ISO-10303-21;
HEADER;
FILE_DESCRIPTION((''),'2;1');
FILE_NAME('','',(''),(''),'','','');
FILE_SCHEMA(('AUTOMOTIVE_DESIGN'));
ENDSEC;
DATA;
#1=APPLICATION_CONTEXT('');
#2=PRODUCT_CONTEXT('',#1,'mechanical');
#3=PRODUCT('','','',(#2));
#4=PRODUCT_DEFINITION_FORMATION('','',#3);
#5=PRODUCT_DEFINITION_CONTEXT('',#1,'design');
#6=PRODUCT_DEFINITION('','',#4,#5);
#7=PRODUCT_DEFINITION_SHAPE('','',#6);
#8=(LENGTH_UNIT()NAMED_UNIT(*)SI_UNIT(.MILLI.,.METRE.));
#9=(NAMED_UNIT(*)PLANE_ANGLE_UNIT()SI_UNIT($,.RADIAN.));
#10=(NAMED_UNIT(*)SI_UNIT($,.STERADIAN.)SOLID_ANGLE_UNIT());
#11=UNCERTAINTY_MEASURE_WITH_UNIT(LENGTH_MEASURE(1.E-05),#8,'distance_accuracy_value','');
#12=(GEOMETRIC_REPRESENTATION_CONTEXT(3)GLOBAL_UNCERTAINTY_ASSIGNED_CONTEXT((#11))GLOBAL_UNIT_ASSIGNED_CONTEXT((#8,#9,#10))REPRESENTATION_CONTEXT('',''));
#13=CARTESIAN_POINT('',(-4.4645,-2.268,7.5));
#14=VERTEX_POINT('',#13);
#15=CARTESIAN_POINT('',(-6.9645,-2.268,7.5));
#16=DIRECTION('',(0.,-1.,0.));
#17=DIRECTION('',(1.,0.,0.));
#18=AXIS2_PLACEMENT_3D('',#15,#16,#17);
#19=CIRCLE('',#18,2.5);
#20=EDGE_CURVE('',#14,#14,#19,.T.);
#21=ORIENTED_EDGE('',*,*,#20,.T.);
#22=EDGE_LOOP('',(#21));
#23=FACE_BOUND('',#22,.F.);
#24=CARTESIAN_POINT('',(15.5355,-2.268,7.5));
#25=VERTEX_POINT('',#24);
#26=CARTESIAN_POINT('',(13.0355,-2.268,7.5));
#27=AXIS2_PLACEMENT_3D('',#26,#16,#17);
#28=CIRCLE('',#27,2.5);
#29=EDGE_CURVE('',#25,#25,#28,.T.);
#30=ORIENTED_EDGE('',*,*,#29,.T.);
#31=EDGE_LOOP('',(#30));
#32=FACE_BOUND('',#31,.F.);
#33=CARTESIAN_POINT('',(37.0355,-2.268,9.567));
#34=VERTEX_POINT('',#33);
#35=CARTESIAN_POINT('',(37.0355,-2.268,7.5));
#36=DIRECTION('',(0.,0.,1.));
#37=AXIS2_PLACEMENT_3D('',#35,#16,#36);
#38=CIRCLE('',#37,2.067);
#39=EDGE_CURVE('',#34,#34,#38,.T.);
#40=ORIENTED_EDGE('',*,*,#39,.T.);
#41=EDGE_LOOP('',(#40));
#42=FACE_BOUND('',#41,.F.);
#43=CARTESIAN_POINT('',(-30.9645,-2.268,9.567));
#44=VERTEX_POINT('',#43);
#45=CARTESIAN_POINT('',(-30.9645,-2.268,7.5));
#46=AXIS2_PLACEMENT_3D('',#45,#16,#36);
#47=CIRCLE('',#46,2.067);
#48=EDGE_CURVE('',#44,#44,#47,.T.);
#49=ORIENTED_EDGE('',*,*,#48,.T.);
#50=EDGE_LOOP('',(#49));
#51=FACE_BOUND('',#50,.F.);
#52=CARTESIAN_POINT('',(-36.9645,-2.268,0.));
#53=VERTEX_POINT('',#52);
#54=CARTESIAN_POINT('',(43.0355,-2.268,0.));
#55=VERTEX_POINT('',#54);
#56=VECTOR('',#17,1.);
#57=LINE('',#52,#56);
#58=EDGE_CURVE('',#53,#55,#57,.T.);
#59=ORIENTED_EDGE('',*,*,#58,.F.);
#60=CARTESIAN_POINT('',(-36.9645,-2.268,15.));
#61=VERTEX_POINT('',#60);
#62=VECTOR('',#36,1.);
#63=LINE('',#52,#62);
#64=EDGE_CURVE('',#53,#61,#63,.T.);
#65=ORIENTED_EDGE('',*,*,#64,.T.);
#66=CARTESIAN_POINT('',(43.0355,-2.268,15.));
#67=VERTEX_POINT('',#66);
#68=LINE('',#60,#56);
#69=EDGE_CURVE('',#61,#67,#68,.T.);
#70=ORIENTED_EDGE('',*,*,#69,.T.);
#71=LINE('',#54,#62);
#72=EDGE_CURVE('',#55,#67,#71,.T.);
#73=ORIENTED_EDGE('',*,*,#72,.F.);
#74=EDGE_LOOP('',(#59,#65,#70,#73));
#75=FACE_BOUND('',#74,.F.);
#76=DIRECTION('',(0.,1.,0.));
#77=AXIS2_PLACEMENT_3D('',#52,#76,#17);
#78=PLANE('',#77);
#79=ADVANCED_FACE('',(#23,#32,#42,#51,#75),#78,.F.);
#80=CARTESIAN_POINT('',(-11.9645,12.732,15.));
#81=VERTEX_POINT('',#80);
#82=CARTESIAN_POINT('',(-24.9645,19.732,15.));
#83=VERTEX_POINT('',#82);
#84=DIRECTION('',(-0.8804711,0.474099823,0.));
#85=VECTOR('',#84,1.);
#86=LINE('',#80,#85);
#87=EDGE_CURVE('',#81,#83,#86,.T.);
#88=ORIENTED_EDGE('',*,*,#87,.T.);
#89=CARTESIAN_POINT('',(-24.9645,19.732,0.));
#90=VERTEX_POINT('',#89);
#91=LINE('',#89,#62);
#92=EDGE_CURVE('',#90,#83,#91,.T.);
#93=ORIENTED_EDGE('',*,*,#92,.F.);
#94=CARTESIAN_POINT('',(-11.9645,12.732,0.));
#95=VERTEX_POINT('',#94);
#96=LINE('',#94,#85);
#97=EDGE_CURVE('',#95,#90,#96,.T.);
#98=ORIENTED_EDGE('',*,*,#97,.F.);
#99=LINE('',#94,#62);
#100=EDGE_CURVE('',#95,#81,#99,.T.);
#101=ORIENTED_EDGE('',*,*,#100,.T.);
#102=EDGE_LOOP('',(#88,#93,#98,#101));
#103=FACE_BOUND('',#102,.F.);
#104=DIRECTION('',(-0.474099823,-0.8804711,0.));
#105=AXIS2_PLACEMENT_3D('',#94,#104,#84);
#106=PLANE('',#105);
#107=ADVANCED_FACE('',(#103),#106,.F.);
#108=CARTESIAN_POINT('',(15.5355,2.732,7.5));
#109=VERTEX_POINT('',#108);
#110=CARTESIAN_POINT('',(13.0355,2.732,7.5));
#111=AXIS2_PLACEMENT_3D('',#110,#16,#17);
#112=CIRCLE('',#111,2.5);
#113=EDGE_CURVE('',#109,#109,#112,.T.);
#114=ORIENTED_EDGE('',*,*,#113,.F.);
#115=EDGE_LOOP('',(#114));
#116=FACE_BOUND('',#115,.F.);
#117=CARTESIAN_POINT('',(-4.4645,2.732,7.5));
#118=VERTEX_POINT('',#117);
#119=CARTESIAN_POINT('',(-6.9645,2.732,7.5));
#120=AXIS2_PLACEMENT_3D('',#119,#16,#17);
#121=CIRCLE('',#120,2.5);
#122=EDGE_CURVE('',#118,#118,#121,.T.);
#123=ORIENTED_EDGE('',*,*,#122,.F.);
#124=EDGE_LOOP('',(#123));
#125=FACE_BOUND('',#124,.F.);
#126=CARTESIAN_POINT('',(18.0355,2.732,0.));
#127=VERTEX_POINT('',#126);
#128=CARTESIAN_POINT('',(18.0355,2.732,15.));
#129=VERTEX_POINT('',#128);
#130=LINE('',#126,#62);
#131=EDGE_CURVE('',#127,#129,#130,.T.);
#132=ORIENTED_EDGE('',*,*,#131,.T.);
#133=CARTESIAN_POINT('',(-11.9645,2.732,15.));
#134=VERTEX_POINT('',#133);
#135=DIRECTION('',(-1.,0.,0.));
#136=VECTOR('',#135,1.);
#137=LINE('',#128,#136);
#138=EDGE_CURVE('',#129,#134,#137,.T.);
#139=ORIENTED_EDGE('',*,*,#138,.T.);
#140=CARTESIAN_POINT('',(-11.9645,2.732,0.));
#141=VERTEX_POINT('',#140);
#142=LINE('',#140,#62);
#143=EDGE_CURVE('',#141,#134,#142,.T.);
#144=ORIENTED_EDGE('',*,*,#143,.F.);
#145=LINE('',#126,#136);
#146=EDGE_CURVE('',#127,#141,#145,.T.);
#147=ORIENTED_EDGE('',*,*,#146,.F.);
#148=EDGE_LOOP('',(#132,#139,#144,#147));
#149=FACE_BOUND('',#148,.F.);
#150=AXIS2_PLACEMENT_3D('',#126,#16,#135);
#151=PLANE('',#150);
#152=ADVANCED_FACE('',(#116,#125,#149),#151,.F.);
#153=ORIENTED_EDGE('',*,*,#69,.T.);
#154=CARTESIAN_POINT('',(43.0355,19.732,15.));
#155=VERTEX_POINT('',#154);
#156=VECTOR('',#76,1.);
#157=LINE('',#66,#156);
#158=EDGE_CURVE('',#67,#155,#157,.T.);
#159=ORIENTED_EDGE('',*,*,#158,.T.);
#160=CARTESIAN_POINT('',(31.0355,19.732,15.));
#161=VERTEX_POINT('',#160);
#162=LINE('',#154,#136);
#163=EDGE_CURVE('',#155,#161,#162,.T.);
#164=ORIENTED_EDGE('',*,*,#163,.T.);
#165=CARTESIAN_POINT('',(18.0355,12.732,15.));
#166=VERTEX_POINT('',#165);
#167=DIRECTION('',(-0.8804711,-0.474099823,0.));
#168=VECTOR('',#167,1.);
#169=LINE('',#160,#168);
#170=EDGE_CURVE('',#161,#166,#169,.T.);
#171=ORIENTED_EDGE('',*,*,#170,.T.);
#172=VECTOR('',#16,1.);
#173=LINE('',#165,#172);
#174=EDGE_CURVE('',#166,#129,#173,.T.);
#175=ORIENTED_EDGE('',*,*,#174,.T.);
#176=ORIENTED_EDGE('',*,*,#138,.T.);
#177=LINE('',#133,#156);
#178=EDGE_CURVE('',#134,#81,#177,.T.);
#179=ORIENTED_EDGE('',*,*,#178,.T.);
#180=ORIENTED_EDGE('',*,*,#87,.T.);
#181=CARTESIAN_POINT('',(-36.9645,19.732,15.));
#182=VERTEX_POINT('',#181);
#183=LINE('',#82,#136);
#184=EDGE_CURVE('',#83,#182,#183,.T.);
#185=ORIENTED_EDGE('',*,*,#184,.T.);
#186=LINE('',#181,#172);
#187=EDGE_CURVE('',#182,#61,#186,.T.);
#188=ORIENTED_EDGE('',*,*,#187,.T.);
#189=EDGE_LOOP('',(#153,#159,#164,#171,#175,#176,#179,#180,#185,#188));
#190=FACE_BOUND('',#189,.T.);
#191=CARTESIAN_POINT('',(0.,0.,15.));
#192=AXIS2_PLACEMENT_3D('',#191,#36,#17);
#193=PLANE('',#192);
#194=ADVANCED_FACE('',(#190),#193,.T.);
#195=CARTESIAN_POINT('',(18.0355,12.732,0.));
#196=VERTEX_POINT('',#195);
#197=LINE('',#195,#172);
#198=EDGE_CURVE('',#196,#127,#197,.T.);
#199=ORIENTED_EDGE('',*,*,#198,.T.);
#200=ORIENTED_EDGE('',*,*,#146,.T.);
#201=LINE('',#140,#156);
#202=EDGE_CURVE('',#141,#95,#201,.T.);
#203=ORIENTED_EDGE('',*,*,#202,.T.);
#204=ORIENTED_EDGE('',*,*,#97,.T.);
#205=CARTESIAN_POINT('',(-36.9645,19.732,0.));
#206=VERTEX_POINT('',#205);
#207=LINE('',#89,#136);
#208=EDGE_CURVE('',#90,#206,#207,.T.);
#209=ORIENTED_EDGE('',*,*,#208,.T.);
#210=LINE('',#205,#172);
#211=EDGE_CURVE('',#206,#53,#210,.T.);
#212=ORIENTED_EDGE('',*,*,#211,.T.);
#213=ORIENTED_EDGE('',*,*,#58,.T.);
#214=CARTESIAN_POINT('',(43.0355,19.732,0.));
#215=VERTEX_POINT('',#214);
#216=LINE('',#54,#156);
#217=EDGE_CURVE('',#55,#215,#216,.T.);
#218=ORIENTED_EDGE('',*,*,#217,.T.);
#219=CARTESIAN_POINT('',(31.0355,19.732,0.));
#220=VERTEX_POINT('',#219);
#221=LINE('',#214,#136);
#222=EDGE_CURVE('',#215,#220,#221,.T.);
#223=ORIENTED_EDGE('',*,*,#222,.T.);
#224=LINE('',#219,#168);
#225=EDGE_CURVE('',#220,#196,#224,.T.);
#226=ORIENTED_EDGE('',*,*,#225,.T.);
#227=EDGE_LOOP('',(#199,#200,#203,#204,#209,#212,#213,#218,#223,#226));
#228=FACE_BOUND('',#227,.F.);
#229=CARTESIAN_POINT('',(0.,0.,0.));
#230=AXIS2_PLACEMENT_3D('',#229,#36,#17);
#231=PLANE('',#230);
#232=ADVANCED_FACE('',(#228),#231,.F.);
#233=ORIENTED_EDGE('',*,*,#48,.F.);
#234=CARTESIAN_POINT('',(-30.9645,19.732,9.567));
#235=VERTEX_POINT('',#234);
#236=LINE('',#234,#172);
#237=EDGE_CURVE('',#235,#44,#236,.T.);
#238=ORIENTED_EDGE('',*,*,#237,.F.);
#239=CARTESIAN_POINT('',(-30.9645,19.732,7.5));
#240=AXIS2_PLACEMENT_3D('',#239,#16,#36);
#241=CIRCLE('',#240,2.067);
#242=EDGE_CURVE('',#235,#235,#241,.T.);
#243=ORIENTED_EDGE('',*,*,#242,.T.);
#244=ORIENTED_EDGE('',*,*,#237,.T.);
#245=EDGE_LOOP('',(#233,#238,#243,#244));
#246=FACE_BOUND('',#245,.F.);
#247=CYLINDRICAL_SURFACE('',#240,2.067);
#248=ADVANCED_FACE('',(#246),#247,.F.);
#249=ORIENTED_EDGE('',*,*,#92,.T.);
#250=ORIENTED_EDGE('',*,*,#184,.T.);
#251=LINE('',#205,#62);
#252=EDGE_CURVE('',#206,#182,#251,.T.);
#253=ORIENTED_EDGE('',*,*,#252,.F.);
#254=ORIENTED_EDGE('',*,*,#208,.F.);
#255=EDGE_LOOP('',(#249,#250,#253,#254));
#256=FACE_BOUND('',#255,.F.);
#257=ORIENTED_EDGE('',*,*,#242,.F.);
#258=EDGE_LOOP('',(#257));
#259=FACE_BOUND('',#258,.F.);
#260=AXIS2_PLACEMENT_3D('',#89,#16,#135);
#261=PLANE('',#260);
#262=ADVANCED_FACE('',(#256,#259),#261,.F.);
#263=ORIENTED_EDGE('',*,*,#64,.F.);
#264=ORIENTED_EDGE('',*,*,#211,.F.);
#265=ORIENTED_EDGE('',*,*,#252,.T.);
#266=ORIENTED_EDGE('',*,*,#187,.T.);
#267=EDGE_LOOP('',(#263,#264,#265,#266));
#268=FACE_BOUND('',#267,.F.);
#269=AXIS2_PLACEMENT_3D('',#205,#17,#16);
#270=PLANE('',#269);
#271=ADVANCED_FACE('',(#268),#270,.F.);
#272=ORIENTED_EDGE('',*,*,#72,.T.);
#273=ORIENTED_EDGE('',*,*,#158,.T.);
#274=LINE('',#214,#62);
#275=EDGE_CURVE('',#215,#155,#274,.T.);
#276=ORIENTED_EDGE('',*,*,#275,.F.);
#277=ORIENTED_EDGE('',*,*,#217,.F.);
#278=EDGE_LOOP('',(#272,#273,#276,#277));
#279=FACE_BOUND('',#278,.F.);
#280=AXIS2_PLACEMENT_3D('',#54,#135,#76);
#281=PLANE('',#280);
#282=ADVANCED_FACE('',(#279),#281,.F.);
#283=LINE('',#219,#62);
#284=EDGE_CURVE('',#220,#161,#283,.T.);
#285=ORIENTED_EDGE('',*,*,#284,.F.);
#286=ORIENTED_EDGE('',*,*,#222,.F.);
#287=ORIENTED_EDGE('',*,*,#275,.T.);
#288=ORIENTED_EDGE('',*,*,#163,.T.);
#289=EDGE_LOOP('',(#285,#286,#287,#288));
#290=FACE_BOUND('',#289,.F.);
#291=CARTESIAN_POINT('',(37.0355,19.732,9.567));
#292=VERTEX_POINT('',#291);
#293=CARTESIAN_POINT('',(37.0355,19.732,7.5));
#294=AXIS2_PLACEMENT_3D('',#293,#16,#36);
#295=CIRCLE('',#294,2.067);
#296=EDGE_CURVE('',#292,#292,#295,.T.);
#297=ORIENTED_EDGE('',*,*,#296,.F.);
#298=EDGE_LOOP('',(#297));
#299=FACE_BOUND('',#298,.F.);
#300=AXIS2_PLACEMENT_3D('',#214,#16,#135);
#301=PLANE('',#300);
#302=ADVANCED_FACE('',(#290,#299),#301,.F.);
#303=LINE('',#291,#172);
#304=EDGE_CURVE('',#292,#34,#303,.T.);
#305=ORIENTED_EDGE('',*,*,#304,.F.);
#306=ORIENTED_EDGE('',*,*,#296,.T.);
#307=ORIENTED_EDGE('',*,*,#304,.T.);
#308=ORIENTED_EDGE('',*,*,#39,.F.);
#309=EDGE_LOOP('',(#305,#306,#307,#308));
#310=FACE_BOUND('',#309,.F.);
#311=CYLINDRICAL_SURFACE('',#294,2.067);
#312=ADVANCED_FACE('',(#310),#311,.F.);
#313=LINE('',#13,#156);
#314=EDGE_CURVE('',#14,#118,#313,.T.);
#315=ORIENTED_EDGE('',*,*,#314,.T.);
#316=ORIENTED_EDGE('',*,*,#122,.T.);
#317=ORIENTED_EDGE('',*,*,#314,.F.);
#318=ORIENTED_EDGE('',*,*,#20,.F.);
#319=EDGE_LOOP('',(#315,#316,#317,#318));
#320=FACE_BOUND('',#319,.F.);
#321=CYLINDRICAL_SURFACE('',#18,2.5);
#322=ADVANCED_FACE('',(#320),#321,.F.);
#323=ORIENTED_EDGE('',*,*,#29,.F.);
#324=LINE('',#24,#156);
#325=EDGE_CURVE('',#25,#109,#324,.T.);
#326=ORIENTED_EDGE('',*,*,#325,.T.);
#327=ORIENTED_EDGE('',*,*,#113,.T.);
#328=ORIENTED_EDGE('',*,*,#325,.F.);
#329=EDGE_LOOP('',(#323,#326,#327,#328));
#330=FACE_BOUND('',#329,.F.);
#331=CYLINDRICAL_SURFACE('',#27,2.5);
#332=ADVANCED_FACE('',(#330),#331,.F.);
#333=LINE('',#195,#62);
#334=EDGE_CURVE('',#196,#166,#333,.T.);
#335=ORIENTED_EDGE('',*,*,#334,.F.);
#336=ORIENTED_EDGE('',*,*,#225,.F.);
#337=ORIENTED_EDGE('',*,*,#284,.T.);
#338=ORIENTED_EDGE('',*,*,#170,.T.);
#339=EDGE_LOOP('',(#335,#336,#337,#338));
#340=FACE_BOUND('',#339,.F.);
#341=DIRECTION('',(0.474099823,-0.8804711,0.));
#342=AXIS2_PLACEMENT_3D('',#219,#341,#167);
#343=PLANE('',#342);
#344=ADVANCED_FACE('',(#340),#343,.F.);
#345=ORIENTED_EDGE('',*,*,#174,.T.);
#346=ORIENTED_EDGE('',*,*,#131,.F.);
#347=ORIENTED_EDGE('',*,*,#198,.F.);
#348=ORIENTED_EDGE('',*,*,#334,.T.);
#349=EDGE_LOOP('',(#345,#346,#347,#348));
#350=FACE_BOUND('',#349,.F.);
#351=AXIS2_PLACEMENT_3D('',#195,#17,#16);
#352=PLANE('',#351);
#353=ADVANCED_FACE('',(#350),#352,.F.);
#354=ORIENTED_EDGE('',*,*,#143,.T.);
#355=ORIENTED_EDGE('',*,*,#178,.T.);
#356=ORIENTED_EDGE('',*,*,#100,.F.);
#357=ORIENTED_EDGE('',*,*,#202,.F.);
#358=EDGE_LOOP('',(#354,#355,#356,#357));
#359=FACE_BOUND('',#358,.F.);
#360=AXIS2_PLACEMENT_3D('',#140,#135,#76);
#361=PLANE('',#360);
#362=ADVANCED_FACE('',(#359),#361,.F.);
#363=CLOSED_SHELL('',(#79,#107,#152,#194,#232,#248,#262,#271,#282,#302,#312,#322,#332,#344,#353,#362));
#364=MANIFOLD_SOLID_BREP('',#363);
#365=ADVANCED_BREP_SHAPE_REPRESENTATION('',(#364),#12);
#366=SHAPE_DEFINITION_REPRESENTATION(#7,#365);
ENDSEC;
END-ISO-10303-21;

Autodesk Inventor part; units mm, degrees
ref_plane "YZ Plane" through (0, 0, 0) normal (1, 0, 0) x (0, 1, 0)
ref_plane "XZ Plane" through (0, 0, 0) normal (0, 1, 0) x (-1, 0, 0)
ref_plane "XY Plane" through (0, 0, 0) normal (0, 0, 1) x (1, 0, 0)
sketch "Sketch1" plane through (0, 0, 0) normal (0, 0, 1) x (1, 0, 0)
  line L0 (-36.9645, 19.732) -> (-36.9645, -2.268)
  line L1 (-36.9645, -2.268) -> (43.0355, -2.268)
  line L2 (43.0355, -2.268) -> (43.0355, 19.732)
  line L3 (43.0355, 19.732) -> (31.0355, 19.732)
  line L4 (31.0355, 19.732) -> (18.0355, 12.732)
  line L5 (18.0355, 12.732) -> (18.0355, 2.732)
  line L6 (18.0355, 2.732) -> (-11.9645, 2.732)
  line L7 (-11.9645, 2.732) -> (-11.9645, 12.732)
  line L8 (-11.9645, 12.732) -> (-24.9645, 19.732)
  line L9 (-24.9645, 19.732) -> (-36.9645, 19.732)
  dimension "d0" = 22
  dimension "d1" = 80
  dimension "d2" = 90
  dimension "d3" = 12
  dimension "d4" = 90
  dimension "d5" = 12
  dimension "d6" = 25
  dimension "d7" = 55
  dimension "d8" = 22
  dimension "d9" = 15
  dimension "d10" = 15
  dimension "d11" = 5
extrude "Extrusion1" add sketch "Sketch1" along normal blind 15
sketch "Sketch2" plane through (-36.9645, -2.268, 0) normal (0, -1, 0) x (1, 0, 0)
  line L0 (80, 15) -> (0, 15) projected
  line L1 (0, 0) -> (0, 15) projected
  circle A0 centre (30, 7.5) radius 2.5
  circle A1 centre (50, 7.5) radius 2.5
  point P0 (36.9645, 0)
  dimension "d14" = 5
  dimension "d17" = 20
  dimension "d22" = 30
  dimension "d23" = 7.5
extrude "Extrusion2" cut sketch "Sketch2" against normal through all
sketch "Sketch3" plane through (-36.9645, 19.732, 0) normal (0, 1, 0) x (1, 0, 0)
  line L0 (12, 0) -> (0, 0) projected
  line L1 (0, 0) -> (0, -15) projected
  line L2 (68, -15) -> (80, -15) projected
  line L3 (80, 0) -> (80, -15) projected
  line L4 (80, 0) -> (68, 0) projected
  line L5 (68, 0) -> (68, -15) projected
  circle A0 centre (6, -7.5) radius 2.5
  circle A1 centre (74, -7.5) radius 2.5
  point P0 (36.9645, 0)
  dimension "d26" = 5
  dimension "d27" = 7.5
  dimension "d28" = 6
  dimension "d29" = 5
  dimension "d30" = 6
  dimension "d31" = 7.5
hole "Hole1" at (-30.9645, 19.732, 7.5) at (37.0355, 19.732, 7.5) direction (0, -1, 0) diameter 4.134 end through all thread size "M5x0.8" class "6H" standard "ANSI Metric M Profile"
equation "\"d8\" = d0"
equation "\"d31\" = d27"
properties part number "SM-TM1" material "Aluminum-6061"
